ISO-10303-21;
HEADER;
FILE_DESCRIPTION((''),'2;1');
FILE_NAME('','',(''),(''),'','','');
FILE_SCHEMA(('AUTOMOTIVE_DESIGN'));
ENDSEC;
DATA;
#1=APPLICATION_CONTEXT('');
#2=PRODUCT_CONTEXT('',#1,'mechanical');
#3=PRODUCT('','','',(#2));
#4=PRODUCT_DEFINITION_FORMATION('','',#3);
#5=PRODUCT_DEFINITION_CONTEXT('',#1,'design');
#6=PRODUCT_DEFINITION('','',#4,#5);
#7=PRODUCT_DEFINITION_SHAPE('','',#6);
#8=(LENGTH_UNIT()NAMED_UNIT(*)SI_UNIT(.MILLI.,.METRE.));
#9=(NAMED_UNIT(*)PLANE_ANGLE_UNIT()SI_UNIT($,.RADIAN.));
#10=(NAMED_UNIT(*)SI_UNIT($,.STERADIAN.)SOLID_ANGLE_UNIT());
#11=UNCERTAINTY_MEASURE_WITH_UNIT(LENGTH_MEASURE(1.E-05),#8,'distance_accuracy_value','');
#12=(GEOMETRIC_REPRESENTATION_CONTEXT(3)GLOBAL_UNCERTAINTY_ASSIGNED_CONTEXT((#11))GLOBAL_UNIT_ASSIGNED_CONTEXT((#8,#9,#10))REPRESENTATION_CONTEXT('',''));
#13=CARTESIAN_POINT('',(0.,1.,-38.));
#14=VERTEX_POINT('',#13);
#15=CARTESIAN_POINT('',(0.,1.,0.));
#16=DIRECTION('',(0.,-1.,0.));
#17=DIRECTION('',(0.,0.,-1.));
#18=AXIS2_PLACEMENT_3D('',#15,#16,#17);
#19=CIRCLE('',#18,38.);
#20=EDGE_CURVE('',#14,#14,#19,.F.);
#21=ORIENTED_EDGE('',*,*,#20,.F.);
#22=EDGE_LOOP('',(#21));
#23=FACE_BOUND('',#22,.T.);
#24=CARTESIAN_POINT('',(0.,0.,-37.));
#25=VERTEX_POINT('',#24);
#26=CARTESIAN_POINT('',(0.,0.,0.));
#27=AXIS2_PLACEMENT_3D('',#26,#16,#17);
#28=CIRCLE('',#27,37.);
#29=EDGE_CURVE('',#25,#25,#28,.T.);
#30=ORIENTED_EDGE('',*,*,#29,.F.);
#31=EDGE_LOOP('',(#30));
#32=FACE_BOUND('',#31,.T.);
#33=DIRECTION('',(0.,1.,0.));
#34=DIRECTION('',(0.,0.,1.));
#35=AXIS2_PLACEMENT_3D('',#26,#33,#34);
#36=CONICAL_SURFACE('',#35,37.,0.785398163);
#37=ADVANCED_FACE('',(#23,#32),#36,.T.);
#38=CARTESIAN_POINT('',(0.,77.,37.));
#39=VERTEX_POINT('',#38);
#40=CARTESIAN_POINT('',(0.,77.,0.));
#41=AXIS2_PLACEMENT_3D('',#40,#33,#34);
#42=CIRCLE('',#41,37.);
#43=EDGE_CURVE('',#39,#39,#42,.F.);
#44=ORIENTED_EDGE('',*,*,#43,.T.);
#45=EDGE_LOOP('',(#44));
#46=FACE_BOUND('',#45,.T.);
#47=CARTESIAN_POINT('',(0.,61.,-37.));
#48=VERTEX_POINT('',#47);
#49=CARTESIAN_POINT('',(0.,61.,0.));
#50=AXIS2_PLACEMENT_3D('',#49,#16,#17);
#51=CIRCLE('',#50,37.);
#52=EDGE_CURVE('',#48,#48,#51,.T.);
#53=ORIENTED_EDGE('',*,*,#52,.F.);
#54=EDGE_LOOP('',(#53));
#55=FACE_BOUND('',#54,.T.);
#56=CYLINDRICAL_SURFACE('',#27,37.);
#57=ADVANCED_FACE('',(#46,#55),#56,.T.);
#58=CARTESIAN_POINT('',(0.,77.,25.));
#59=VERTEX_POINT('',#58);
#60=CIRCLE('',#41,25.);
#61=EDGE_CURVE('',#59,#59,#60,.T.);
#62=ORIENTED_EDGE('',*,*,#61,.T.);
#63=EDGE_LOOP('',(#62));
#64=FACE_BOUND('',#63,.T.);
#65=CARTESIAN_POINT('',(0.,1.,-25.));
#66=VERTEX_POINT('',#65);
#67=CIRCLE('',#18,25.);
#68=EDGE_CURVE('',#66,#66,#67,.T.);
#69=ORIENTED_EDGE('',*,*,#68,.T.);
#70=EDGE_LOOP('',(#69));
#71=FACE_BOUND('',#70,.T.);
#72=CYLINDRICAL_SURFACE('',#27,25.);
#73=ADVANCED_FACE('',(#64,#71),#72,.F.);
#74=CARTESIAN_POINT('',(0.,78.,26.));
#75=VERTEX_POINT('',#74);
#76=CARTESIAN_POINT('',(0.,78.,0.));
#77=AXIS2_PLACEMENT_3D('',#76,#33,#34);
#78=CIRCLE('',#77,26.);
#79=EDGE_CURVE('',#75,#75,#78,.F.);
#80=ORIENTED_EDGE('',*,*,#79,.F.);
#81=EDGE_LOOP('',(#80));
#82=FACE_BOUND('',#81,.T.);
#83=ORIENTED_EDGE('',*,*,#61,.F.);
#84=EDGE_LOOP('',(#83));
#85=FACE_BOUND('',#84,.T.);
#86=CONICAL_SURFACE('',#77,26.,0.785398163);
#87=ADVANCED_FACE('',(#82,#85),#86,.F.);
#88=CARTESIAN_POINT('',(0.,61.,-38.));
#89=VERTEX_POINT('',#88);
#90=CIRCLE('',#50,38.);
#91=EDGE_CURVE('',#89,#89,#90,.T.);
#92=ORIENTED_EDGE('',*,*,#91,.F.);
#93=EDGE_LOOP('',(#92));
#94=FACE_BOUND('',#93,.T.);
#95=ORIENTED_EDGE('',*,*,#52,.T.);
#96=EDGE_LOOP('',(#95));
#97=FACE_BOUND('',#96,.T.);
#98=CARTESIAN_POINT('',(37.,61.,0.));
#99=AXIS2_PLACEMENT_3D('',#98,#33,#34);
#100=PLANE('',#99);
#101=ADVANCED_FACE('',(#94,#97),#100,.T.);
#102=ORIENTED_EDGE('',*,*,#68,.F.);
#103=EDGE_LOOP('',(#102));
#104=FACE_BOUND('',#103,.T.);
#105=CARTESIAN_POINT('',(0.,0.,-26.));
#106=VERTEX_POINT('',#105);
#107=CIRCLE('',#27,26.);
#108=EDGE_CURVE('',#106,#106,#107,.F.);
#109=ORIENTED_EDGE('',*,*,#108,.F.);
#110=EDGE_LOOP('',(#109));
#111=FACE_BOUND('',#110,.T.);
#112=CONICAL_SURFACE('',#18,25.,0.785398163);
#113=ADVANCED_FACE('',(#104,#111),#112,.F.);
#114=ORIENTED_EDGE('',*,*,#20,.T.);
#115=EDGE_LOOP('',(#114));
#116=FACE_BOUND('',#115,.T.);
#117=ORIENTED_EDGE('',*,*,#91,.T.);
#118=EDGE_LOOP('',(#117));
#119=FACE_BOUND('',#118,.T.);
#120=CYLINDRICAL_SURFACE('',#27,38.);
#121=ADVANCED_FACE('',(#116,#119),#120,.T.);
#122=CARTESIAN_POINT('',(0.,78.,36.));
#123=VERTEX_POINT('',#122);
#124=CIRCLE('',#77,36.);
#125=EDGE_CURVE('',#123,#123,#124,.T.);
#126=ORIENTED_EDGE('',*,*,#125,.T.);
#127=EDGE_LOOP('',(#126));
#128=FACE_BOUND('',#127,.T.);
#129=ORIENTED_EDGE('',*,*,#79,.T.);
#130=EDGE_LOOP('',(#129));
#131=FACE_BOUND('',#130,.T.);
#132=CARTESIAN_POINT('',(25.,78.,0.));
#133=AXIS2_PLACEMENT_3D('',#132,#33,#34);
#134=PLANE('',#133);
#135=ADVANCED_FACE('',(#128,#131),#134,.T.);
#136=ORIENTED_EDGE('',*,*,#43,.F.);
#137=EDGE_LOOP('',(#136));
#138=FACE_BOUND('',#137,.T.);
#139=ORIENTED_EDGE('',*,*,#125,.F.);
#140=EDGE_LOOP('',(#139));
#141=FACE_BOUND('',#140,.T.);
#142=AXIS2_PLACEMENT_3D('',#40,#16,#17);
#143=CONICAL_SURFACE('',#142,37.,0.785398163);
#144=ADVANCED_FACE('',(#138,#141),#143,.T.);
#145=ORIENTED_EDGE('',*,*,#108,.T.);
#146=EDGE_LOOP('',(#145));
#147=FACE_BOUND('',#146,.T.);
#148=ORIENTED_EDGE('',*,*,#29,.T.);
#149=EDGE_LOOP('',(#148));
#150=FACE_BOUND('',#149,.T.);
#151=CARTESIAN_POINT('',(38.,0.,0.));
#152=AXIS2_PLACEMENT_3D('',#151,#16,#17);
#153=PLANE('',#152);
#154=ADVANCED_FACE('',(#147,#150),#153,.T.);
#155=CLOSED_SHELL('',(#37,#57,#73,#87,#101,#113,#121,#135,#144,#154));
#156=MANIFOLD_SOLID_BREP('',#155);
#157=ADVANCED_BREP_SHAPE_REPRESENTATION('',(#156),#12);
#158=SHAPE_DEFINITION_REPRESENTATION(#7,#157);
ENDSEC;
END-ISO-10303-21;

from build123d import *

# Parameters (mm, degrees)
CHAMFER_1_SIZE = 1


with BuildPart() as part:
    # 草图1 → 旋转1 (revolve)
    with BuildSketch(Plane.XY, mode=Mode.PRIVATE) as revolve_1_sk:
        Polygon((25, 0), (25, 78), (37, 78), (37, 61), (38, 61), (38, 0), align=None)
    revolve(revolve_1_sk.sketch.rotate(Axis((0, 0, 0), (0, 1, 0)), 90), axis=Axis((0, 0, 0), (0, 1, 0)))

    # 倒角1
    chamfer_1_edges = [part.edges().sort_by_distance(p)[0] for p in [
        (0, 78, 37),
        (0, 78, 25),
        (0, 0, 25),
        (0, 0, 38),
    ]]
    chamfer(chamfer_1_edges, length=CHAMFER_1_SIZE)


solid = part.part
